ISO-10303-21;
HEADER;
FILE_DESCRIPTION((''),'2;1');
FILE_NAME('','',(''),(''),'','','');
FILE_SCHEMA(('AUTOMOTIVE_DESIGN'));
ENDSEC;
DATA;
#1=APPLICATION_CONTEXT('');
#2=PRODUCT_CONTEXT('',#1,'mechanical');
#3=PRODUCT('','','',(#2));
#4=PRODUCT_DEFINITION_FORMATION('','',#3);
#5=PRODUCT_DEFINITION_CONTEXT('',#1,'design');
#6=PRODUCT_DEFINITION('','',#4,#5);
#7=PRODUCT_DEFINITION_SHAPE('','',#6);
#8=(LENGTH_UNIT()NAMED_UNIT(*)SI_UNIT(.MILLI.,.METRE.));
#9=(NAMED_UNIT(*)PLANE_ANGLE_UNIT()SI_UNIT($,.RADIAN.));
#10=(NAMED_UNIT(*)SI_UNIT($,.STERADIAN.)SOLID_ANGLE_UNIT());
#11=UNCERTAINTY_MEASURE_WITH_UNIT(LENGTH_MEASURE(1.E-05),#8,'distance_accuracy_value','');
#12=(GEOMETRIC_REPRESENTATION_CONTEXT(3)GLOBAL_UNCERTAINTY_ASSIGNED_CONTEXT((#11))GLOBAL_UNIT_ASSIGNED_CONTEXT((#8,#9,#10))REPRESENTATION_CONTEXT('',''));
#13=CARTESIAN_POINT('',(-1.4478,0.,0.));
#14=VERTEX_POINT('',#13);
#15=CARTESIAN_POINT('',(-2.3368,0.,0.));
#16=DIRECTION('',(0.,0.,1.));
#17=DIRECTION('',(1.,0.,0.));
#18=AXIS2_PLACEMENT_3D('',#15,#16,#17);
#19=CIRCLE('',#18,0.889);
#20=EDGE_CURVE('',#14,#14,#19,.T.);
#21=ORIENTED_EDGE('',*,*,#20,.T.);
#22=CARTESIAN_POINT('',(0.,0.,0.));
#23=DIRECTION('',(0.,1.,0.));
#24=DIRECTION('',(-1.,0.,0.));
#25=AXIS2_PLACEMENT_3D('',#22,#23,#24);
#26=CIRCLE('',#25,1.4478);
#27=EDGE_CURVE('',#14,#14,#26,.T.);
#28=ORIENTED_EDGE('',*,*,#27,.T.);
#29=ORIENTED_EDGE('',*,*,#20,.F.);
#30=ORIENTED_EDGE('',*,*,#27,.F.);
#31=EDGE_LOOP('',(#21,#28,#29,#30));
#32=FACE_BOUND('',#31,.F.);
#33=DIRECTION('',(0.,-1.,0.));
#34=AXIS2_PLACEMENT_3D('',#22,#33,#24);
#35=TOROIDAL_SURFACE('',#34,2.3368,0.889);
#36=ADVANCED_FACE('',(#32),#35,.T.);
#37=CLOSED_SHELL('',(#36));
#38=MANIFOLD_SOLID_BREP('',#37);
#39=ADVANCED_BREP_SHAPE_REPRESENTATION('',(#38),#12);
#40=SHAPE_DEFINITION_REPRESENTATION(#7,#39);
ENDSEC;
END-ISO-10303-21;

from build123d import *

# Parameters (mm, degrees)
SKETCH2_R = 0.889


with BuildPart() as part:
    # Sketch2 → Revolve1 (revolve)
    with BuildSketch(Plane.XY):
        with Locations((-2.3368, 0)):
            Circle(SKETCH2_R)
    revolve(axis=Axis((0, 0, 0), (0, 1, 0)))


solid = part.part
